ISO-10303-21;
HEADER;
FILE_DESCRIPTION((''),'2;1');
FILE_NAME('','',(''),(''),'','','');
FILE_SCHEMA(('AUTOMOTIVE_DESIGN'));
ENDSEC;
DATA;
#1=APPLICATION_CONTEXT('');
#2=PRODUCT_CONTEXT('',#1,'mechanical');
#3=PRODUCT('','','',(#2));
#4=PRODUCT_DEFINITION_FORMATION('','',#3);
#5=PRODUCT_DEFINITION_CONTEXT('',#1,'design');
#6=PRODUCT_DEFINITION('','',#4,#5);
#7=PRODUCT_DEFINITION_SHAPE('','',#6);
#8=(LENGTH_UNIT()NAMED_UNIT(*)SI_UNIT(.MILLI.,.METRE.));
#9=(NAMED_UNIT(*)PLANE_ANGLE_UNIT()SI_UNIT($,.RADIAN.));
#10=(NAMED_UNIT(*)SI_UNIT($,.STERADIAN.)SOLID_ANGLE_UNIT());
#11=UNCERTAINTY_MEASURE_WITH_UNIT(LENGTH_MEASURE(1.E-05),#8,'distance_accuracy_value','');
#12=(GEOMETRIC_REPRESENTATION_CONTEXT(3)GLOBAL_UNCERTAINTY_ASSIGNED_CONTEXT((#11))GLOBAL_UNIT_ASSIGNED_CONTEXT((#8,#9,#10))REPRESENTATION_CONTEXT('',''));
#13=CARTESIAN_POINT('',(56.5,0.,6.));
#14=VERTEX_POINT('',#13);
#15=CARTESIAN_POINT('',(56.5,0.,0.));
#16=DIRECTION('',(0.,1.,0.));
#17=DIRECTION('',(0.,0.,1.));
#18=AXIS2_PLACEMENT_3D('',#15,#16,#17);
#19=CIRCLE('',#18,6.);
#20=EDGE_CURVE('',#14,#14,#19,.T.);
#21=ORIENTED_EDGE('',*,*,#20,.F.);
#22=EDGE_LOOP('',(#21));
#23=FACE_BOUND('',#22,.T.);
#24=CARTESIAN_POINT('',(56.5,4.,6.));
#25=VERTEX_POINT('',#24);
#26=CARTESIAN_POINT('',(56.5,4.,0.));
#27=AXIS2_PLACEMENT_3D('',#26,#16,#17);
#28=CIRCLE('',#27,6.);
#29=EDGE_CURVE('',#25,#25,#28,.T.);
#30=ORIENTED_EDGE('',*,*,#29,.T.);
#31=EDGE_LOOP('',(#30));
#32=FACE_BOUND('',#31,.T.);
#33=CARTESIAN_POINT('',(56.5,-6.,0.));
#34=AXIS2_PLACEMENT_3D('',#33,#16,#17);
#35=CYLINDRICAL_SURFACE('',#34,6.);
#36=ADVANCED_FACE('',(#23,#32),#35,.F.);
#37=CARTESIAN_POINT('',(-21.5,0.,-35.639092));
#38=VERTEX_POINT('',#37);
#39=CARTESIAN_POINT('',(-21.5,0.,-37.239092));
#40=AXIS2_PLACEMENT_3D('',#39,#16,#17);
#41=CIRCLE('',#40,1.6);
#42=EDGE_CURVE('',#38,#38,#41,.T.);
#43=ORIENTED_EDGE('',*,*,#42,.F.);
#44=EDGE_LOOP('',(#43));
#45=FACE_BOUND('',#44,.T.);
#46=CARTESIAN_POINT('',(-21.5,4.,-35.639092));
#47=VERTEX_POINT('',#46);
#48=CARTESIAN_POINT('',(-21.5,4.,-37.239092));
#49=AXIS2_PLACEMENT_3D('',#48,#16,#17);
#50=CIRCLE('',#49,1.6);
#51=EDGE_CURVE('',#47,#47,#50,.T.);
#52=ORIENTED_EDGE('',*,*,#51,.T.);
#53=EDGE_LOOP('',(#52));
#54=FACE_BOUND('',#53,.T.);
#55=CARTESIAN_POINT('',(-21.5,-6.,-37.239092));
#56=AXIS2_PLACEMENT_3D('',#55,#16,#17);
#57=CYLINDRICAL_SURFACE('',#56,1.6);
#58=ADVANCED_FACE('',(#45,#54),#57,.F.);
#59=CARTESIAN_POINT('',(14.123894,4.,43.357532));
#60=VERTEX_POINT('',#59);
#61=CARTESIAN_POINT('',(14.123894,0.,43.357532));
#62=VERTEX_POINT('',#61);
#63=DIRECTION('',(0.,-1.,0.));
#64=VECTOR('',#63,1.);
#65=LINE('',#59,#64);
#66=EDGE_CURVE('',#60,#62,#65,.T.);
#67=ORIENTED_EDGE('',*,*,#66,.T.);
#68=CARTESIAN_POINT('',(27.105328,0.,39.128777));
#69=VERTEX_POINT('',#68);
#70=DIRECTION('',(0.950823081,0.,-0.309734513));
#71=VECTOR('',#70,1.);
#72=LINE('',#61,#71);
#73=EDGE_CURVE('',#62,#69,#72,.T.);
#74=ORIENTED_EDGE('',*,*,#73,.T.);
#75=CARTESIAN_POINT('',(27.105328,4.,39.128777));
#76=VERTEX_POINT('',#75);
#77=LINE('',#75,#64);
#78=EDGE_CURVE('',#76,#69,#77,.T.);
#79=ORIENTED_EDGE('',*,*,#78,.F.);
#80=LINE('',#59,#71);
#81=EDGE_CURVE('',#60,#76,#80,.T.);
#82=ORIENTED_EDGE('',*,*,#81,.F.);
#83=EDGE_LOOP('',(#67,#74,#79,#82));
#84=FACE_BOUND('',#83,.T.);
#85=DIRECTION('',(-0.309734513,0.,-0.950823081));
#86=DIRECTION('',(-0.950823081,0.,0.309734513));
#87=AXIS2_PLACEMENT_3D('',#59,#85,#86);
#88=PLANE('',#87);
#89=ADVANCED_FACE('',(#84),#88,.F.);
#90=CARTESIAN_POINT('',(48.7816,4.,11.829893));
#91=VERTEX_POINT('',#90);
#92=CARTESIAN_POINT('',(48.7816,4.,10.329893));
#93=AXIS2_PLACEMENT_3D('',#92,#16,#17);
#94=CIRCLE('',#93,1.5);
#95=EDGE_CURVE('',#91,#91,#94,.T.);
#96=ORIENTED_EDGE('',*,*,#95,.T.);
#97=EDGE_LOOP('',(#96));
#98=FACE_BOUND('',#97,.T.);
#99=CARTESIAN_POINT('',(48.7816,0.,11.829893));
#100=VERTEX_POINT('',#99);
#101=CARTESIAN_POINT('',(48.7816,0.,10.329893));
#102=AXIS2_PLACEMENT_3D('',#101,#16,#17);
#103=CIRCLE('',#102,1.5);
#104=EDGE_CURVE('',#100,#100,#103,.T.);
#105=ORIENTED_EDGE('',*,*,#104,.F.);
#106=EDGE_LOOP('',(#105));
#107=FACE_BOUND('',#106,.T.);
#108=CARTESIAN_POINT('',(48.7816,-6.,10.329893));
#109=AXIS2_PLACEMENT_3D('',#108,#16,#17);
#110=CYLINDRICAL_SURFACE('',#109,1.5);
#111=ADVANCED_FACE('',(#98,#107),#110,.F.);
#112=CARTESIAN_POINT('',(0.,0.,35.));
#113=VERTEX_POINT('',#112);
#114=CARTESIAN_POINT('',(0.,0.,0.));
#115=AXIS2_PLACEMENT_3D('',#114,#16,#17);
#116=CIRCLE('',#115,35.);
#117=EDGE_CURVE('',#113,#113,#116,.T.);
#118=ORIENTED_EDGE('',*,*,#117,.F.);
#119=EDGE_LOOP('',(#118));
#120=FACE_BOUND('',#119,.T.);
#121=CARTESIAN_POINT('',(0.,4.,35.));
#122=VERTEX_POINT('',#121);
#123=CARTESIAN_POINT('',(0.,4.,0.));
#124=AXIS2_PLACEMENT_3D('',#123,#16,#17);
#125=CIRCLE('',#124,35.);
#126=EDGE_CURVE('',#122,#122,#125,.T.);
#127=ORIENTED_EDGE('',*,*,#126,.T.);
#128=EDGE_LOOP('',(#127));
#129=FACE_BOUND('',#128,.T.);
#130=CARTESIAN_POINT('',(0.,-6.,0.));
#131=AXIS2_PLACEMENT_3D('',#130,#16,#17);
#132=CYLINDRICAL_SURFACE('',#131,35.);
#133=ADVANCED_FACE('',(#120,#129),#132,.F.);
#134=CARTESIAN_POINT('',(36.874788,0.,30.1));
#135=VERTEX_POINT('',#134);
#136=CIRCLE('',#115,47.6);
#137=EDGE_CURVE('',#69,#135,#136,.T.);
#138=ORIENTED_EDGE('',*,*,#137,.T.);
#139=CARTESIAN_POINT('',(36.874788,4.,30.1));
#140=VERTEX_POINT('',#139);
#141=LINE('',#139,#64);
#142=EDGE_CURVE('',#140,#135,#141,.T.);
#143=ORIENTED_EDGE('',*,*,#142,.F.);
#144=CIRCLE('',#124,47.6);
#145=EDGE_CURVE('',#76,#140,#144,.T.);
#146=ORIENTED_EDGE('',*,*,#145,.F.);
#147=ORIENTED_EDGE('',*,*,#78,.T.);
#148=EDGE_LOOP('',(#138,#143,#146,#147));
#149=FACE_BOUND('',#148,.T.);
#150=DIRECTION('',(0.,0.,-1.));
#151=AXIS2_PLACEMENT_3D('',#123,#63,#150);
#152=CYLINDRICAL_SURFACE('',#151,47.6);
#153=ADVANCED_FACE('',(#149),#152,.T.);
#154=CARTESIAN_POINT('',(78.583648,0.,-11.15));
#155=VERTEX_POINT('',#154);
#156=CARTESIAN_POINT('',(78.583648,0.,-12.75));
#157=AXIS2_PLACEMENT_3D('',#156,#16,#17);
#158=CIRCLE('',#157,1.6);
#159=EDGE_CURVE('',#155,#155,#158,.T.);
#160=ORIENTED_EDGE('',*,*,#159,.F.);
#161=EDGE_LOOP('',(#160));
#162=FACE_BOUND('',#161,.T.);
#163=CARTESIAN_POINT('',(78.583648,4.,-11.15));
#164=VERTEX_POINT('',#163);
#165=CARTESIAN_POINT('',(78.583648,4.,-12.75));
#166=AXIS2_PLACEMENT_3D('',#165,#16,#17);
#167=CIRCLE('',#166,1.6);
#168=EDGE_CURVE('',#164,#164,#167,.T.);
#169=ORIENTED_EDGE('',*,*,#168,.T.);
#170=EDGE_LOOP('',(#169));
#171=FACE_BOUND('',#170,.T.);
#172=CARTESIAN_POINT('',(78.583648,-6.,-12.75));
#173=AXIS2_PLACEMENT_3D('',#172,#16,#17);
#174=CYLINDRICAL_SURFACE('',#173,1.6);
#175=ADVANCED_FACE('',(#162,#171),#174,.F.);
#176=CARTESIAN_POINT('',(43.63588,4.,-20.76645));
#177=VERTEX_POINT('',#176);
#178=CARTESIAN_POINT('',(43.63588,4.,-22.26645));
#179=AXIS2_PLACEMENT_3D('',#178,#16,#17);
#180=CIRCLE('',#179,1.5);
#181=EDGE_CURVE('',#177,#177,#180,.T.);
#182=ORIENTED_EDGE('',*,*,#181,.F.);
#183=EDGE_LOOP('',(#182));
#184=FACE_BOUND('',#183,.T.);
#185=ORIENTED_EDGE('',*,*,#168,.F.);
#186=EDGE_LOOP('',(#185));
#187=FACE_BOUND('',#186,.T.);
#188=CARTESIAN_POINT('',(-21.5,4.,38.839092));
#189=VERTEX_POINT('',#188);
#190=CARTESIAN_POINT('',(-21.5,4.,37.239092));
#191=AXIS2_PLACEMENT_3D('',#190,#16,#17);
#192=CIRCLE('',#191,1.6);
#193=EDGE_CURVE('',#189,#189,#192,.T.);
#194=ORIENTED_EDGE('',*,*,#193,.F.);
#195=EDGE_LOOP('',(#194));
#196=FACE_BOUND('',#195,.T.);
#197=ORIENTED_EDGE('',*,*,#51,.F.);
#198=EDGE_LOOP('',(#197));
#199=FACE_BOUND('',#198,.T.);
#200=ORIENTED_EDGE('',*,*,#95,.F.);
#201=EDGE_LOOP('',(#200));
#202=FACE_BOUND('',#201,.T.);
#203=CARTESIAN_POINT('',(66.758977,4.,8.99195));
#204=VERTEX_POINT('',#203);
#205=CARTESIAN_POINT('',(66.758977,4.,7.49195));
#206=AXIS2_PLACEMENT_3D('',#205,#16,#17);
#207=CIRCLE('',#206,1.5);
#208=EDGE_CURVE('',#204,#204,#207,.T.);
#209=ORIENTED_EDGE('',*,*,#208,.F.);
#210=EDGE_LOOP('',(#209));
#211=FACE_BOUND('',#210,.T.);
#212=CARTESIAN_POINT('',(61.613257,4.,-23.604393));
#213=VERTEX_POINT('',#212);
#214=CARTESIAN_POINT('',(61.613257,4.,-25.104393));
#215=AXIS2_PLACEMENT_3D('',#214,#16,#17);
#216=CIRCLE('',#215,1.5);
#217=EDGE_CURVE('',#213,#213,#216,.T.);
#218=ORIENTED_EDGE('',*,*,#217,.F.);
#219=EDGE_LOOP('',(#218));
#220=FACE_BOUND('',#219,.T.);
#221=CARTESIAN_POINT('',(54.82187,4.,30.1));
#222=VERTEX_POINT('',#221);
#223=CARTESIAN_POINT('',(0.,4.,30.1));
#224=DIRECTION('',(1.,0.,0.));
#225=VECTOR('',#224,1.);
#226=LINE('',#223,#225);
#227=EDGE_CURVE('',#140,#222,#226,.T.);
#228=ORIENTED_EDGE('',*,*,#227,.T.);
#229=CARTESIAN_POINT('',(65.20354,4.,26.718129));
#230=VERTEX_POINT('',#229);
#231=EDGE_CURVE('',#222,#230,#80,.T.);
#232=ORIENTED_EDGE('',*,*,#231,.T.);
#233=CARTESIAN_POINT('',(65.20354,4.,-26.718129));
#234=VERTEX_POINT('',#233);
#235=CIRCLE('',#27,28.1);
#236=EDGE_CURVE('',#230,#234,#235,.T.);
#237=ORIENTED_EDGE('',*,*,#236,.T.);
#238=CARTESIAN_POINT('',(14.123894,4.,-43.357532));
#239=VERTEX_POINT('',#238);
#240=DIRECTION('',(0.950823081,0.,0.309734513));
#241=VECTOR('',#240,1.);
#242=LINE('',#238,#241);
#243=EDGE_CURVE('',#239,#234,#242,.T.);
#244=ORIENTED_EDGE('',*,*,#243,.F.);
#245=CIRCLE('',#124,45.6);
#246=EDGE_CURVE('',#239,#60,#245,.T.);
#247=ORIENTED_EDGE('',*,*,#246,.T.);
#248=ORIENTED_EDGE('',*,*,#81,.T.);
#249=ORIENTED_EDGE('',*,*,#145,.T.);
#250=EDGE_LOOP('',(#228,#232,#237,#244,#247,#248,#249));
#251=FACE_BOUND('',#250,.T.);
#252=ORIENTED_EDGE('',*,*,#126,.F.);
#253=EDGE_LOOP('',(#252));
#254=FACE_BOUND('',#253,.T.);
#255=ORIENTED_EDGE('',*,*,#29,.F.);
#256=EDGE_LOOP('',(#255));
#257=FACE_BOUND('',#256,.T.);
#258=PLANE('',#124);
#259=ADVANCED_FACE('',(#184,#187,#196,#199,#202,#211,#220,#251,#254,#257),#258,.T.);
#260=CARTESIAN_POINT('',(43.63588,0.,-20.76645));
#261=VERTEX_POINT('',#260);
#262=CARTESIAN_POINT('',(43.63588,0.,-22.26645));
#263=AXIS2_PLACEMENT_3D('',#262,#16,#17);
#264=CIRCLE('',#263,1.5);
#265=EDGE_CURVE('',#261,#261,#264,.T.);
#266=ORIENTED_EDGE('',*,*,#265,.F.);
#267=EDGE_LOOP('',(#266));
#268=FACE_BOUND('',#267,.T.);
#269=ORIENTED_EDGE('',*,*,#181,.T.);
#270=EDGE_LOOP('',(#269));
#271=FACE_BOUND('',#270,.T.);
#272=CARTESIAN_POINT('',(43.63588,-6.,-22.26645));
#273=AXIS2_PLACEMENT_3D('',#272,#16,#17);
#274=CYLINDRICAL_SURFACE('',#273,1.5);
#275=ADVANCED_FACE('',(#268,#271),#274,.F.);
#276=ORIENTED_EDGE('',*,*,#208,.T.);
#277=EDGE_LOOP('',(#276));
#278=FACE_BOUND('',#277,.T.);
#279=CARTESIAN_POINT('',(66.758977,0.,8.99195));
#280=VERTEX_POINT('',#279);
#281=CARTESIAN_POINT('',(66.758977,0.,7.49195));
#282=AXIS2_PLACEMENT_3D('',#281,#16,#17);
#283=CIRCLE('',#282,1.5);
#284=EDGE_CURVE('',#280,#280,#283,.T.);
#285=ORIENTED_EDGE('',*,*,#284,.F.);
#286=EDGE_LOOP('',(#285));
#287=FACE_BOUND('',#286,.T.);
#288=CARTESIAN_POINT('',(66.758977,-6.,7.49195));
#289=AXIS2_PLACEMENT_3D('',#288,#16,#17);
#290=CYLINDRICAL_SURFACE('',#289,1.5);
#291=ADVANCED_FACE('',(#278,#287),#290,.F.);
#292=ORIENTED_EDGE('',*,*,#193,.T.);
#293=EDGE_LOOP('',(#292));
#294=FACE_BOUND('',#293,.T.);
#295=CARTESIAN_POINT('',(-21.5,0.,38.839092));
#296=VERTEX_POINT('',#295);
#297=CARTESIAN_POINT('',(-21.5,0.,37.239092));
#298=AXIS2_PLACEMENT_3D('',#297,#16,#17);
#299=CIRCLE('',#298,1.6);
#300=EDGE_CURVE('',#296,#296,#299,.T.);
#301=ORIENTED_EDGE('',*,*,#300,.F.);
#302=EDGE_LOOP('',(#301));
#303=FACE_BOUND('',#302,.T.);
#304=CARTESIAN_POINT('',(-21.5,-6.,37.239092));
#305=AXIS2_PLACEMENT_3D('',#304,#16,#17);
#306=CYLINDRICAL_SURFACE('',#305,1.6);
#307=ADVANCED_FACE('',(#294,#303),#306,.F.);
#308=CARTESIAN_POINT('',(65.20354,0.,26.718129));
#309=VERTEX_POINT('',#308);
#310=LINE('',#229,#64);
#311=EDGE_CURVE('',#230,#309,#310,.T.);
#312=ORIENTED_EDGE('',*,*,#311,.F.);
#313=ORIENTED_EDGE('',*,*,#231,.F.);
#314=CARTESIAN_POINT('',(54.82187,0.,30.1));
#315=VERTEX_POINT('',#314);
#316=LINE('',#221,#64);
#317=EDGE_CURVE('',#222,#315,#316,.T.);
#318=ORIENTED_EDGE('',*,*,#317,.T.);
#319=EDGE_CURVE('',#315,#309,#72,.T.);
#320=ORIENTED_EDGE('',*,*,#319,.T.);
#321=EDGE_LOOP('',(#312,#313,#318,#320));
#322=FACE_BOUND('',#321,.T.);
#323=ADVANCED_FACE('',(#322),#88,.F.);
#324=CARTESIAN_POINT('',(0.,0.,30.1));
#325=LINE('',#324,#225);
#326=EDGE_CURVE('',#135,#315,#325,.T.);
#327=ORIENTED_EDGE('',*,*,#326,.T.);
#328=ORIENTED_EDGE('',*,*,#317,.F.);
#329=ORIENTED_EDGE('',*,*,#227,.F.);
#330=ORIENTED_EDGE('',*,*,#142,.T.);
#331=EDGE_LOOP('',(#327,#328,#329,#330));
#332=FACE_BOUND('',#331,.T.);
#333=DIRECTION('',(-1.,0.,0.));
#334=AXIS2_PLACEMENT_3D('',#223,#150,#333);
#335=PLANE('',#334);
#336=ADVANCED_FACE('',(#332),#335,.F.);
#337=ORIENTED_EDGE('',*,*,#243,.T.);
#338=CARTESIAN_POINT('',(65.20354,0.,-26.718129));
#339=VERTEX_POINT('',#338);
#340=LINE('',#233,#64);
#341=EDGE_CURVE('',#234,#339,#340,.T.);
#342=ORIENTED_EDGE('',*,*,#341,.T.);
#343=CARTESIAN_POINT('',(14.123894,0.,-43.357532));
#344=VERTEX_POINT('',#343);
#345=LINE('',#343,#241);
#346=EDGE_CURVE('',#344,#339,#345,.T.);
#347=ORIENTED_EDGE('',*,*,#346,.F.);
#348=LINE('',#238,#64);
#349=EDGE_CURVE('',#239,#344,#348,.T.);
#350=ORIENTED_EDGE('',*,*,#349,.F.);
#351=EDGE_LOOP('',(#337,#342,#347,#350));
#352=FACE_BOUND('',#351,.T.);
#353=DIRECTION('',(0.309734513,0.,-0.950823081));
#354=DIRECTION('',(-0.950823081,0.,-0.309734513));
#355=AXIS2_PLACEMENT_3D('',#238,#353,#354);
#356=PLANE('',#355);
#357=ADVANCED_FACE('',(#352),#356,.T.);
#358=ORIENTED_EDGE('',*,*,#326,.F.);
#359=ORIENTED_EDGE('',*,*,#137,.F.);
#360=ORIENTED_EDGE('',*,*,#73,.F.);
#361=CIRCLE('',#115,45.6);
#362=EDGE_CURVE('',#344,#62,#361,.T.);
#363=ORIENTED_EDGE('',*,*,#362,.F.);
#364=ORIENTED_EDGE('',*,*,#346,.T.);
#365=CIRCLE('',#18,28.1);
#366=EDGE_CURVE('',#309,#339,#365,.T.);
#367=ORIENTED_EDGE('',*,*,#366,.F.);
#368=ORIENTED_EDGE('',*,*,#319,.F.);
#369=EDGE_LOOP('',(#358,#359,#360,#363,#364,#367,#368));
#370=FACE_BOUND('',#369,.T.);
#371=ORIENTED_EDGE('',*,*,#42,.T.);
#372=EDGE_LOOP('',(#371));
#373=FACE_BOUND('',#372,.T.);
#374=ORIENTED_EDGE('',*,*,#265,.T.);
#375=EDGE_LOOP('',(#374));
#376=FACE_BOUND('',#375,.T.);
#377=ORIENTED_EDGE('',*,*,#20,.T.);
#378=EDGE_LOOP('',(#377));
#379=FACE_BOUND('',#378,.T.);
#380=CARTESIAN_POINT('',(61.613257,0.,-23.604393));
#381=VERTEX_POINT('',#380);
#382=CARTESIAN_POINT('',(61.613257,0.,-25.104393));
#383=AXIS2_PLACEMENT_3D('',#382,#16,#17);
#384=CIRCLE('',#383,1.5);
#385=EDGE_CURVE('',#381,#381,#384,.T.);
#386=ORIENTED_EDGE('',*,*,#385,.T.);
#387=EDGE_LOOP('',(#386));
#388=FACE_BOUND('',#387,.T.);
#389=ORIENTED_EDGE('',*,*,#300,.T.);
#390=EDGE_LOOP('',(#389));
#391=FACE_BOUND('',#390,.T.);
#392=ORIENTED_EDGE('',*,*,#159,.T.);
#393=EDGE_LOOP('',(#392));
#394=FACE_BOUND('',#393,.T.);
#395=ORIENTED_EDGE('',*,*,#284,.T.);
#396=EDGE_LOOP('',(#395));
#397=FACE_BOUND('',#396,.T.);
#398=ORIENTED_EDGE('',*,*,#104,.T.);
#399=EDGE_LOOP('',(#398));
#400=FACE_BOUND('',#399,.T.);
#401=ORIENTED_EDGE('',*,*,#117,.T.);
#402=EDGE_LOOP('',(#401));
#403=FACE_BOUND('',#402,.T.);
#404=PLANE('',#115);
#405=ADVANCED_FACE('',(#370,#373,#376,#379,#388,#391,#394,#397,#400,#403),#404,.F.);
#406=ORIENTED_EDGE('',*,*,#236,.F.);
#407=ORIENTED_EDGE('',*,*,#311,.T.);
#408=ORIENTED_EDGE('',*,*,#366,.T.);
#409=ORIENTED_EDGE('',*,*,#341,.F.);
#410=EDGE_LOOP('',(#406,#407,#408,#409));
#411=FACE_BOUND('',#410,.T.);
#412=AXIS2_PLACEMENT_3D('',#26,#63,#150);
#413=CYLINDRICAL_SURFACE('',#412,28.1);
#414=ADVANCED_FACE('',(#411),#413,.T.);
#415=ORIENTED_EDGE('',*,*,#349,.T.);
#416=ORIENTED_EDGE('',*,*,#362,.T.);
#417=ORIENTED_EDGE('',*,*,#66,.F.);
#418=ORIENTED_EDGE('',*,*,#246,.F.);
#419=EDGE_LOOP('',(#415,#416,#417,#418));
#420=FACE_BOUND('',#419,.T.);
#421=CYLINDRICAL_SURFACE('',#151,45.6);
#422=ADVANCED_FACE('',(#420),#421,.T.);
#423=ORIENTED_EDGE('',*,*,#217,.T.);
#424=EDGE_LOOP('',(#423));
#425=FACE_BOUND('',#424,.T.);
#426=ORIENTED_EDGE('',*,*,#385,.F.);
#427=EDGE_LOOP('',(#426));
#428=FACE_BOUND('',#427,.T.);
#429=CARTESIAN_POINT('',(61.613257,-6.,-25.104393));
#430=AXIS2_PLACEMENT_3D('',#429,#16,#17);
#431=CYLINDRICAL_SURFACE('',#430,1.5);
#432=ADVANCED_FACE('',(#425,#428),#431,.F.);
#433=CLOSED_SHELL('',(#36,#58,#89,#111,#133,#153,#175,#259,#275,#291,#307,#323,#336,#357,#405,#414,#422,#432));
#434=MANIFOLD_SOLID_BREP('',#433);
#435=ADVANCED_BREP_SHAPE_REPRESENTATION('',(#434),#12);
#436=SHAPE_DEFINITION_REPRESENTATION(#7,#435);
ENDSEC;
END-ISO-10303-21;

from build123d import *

# Parameters (mm, degrees)
BOSS_EXTRUDE1_DEPTH = 4
SKETCH2_R           = 4.5
SKETCH2_R_2         = 6
CUT_EXTRUDE1_DEPTH  = 10
SKETCH3_R           = 1.6
CUT_EXTRUDE2_DEPTH  = 10
SKETCH4_R           = 35
CUT_EXTRUDE3_DEPTH  = 10
SKETCH5_R           = 1.5
CUT_EXTRUDE4_DEPTH  = 10


with BuildPart() as part:
    # Sketch1 → Boss-Extrude1 (new body)
    with BuildSketch(Plane(origin=(0, 0, 0), x_dir=(1, 0, 0), z_dir=(0, 1, 0))):
        with BuildLine():
            ThreePointArc((14.123893805, 43.357532492), (-45.6, 0), (14.123893805, -43.357532492))
            Line((14.123893805, -43.357532492), (27.105327803, -39.128777194))
            ThreePointArc((27.105327803, -39.128777194), (32.307019566, -34.957352399), (36.874788135, -30.1))
            Line((36.874788135, -30.1), (54.821870135, -30.1))
            Line((54.821870135, -30.1), (65.203539823, -26.718128575))
            ThreePointArc((65.203539823, -26.718128575), (84.6, 0), (65.203539823, 26.718128575))
            Line((65.203539823, 26.718128575), (14.123893805, 43.357532492))
        make_face()
    extrude(amount=BOSS_EXTRUDE1_DEPTH)

    # Sketch2 → Cut-Extrude1 (cut)
    with BuildSketch(Plane(origin=(0, 4, 0), x_dir=(1, 0, 0), z_dir=(0, 1, 0))):
        with Locations(Location((0, 0, 0), (0, 0, 270))):
            Circle(SKETCH2_R)
        with Locations(Location((56.5, 0, 0), (0, 0, 270))):
            Circle(SKETCH2_R_2)
    extrude(amount=-CUT_EXTRUDE1_DEPTH, mode=Mode.SUBTRACT)

    # Sketch3 → Cut-Extrude2 (cut)
    with BuildSketch(Plane(origin=(0, 4, 0), x_dir=(1, 0, 0), z_dir=(0, 1, 0))):
        with Locations(Location((78.583647797, 12.75, 0), (0, 0, 270))):
            Circle(SKETCH3_R)
        with Locations(Location((-21.5, 37.239092363, 0), (0, 0, 270))):
            Circle(SKETCH3_R)
        with Locations(Location((-21.5, -37.239092363, 0), (0, 0, 270))):
            Circle(SKETCH3_R)
    extrude(amount=-CUT_EXTRUDE2_DEPTH, mode=Mode.SUBTRACT)

    # Sketch4 → Cut-Extrude3 (cut)
    with BuildSketch(Plane(origin=(0, 4, 0), x_dir=(1, 0, 0), z_dir=(0, 1, 0))):
        with Locations(Location((0, 0, 0), (0, 0, 270))):
            Circle(SKETCH4_R)
    extrude(amount=-CUT_EXTRUDE3_DEPTH, mode=Mode.SUBTRACT)

    # Sketch5 → Cut-Extrude4 (cut)
    with BuildSketch(Plane(origin=(0, 4, 0), x_dir=(1, 0, 0), z_dir=(0, 1, 0))):
        with Locations(Location((48.781600067, -10.329892746, 0), (0, 0, 270))):
            Circle(SKETCH5_R)
        with Locations(Location((66.758977017, -7.491950177, 0), (0, 0, 270))):
            Circle(SKETCH5_R)
        with Locations(Location((61.613256974, 25.104392643, 0), (0, 0, 270))):
            Circle(SKETCH5_R)
        with Locations(Location((43.635880025, 22.266450075, 0), (0, 0, 270))):
            Circle(SKETCH5_R)
    extrude(amount=-CUT_EXTRUDE4_DEPTH, mode=Mode.SUBTRACT)


solid = part.part
